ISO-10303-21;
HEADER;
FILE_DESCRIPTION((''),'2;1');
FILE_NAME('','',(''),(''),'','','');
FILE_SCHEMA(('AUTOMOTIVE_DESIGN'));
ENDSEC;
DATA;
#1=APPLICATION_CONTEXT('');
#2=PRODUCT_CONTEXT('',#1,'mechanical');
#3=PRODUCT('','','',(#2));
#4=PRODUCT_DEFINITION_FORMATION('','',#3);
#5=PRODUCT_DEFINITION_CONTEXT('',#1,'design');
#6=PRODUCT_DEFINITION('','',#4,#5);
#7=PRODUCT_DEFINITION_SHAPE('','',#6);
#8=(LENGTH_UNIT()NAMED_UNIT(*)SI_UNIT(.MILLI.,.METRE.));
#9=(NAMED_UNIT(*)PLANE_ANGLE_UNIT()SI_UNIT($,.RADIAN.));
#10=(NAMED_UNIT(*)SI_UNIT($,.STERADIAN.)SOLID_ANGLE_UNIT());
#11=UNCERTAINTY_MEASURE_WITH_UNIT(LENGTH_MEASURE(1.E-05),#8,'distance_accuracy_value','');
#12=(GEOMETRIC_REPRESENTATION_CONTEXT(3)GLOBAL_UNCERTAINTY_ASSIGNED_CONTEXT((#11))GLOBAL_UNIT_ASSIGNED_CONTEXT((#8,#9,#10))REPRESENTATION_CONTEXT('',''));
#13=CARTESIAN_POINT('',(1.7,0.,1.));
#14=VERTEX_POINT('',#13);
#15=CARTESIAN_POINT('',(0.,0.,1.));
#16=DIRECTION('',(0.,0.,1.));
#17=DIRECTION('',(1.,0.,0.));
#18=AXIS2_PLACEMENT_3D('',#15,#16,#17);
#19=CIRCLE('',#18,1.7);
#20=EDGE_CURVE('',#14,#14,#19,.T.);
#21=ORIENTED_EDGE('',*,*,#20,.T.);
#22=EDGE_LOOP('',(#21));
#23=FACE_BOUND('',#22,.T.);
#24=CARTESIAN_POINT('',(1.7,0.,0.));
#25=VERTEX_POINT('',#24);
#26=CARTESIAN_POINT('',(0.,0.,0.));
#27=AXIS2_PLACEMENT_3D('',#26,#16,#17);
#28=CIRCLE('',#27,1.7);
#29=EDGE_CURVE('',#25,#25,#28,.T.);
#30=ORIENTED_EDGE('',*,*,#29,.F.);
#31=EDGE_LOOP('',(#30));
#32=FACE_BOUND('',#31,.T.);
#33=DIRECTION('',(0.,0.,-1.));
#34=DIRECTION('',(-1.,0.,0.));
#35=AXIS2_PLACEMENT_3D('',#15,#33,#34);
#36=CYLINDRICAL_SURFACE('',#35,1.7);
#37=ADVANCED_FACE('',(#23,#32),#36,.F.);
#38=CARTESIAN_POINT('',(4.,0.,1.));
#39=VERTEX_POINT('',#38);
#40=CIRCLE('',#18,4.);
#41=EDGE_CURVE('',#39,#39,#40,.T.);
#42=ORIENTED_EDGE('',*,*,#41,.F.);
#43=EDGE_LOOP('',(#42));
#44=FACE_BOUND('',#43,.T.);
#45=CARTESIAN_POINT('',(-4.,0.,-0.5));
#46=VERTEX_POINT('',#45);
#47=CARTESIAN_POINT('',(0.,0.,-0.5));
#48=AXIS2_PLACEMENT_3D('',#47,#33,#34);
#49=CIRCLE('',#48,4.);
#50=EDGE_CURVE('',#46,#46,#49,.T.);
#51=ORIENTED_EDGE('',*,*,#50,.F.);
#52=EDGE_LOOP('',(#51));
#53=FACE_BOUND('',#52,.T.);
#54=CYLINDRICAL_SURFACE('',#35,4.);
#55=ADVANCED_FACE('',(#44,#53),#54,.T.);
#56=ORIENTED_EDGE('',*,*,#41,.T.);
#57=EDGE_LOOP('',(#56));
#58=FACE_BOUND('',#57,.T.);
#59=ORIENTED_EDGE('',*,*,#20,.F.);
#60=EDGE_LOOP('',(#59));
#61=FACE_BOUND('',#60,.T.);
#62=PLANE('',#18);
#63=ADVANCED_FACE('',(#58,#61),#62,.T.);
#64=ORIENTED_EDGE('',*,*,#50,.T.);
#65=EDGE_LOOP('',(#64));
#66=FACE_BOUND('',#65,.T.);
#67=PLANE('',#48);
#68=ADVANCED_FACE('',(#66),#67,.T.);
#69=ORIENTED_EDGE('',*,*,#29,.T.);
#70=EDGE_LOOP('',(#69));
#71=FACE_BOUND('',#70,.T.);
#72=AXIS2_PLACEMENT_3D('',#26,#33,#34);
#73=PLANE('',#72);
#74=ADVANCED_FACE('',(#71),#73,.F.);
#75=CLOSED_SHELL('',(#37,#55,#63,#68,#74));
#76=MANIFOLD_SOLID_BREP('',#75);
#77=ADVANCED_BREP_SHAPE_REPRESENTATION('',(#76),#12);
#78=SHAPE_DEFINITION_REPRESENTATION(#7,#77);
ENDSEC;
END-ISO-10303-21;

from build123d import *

# Parameters (mm, degrees)
ESQUISSE1_R        = 4
ESQUISSE1_R_2      = 1.7
BOSS_EXTRU_1_DEPTH = 1
BOSS_EXTRU_2_START = 0.5
ESQUISSE2_R        = 4
BOSS_EXTRU_2_DEPTH = 0.5


with BuildPart() as part:
    # Esquisse1 → Boss.-Extru.1 (new body)
    with BuildSketch(Plane.XY):
        Circle(ESQUISSE1_R)
        Circle(ESQUISSE1_R_2, mode=Mode.SUBTRACT)
    extrude(amount=BOSS_EXTRU_1_DEPTH)

    # Esquisse2 → Boss.-Extru.2 (add)
    with BuildSketch(Plane(origin=(0, 0, 0), x_dir=(-1, 0, 0), z_dir=(0, 0, -1)).offset(BOSS_EXTRU_2_START)):
        Circle(ESQUISSE2_R)
    extrude(amount=-BOSS_EXTRU_2_DEPTH)


solid = part.part
